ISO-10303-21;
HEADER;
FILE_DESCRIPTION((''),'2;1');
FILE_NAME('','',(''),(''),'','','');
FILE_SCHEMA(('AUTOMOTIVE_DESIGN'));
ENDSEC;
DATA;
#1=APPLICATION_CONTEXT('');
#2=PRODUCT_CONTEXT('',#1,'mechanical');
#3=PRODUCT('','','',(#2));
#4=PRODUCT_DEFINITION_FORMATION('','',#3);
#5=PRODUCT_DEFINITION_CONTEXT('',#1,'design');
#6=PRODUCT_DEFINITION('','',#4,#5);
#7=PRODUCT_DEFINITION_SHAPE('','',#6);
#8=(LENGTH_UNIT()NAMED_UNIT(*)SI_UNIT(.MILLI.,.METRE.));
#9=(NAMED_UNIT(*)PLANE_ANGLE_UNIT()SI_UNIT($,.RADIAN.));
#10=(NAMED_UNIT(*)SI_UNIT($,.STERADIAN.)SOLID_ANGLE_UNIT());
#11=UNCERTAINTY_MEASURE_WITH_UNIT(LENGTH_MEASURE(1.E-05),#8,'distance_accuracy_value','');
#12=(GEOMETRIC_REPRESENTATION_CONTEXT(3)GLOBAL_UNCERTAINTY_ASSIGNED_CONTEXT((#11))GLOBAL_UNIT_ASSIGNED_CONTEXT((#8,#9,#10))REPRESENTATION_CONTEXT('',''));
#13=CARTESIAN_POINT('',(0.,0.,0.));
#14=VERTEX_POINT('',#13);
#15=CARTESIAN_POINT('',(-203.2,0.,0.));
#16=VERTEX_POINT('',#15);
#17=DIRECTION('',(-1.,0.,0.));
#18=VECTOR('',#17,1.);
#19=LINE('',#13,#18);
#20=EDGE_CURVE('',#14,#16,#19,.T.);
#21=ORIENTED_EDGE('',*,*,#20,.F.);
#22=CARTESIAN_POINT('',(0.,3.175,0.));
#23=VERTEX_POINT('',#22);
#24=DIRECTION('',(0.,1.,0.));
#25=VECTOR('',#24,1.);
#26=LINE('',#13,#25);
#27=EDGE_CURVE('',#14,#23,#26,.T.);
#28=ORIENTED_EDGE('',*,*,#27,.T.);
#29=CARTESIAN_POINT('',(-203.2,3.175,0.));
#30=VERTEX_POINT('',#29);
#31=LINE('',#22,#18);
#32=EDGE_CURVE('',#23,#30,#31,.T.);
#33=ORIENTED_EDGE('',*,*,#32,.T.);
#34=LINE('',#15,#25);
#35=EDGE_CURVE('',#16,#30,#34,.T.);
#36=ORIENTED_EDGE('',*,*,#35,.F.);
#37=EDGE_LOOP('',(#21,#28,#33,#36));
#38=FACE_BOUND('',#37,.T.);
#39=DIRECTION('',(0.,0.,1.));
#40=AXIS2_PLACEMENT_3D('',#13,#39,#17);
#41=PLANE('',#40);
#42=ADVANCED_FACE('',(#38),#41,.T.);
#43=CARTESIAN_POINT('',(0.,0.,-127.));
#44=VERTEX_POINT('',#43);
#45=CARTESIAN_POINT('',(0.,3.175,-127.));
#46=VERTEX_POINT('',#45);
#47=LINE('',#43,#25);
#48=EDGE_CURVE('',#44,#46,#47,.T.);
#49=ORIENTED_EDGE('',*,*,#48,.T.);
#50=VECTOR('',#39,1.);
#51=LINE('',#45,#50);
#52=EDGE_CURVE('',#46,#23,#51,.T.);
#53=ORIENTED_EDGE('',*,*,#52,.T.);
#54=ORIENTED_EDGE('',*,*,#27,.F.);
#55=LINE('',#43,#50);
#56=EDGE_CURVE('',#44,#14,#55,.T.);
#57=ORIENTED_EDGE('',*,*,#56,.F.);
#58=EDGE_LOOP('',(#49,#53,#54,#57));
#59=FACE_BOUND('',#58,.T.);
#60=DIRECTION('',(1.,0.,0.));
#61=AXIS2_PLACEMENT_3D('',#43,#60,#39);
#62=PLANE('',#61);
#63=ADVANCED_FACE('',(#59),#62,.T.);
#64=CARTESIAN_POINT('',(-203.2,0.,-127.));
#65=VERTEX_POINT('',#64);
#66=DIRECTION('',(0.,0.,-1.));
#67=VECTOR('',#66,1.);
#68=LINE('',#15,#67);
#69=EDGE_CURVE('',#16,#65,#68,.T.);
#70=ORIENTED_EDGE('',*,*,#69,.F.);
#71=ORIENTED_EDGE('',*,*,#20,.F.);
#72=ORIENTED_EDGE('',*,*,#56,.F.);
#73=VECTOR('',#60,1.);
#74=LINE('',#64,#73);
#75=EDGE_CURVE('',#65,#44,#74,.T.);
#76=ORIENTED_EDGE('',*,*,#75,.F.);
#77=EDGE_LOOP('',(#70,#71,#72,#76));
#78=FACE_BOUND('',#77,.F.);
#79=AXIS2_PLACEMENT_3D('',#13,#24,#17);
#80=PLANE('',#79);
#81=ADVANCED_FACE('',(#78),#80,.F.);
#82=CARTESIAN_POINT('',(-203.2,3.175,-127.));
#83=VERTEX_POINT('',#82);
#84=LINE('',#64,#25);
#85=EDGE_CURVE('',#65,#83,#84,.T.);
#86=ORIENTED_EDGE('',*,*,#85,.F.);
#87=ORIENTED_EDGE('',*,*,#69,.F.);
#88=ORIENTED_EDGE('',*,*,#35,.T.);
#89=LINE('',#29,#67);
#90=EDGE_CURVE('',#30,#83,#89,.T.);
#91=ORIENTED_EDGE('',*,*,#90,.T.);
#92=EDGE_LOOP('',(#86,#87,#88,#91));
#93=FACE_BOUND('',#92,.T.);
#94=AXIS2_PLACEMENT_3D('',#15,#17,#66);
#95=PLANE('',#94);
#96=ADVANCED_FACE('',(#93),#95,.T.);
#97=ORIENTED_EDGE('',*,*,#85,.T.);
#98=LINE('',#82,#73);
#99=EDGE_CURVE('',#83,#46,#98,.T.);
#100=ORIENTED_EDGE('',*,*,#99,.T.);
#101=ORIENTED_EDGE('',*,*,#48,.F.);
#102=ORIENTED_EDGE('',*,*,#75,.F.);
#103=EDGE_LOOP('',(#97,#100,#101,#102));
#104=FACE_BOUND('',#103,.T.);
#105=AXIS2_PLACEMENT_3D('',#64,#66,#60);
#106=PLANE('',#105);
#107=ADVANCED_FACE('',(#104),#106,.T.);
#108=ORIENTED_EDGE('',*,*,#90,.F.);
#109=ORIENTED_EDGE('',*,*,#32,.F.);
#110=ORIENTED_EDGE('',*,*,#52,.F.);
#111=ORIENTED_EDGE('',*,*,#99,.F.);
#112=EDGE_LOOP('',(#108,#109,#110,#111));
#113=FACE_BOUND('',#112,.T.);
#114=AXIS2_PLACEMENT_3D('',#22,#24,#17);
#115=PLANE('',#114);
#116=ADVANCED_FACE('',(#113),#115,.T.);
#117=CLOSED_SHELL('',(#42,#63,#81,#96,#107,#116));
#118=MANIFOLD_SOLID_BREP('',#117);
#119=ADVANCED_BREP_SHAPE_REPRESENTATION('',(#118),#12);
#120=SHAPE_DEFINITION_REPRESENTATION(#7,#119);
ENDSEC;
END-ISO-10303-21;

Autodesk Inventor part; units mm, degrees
ref_plane "YZ Plane" through (0, 0, 0) normal (1, 0, 0) x (0, 1, 0)
ref_plane "XZ Plane" through (0, 0, 0) normal (0, 1, 0) x (-1, 0, 0)
ref_plane "XY Plane" through (0, 0, 0) normal (0, 0, 1) x (1, 0, 0)
sketch "Sketch1" plane through (0, 0, 0) normal (0, 1, 0) x (-1, 0, 0)
  line L0 (0, 0) -> (203.2, 0)
  line L1 (203.2, 0) -> (203.2, -127)
  line L2 (203.2, -127) -> (0, -127)
  line L3 (0, -127) -> (0, 0)
  dimension "d0" = 203.2
  dimension "d1" = 127
extrude "Extrusion1" add sketch "Sketch1" along normal blind 3.175
properties part number "PlexiIntakeTop.ver1-1111-2020"
